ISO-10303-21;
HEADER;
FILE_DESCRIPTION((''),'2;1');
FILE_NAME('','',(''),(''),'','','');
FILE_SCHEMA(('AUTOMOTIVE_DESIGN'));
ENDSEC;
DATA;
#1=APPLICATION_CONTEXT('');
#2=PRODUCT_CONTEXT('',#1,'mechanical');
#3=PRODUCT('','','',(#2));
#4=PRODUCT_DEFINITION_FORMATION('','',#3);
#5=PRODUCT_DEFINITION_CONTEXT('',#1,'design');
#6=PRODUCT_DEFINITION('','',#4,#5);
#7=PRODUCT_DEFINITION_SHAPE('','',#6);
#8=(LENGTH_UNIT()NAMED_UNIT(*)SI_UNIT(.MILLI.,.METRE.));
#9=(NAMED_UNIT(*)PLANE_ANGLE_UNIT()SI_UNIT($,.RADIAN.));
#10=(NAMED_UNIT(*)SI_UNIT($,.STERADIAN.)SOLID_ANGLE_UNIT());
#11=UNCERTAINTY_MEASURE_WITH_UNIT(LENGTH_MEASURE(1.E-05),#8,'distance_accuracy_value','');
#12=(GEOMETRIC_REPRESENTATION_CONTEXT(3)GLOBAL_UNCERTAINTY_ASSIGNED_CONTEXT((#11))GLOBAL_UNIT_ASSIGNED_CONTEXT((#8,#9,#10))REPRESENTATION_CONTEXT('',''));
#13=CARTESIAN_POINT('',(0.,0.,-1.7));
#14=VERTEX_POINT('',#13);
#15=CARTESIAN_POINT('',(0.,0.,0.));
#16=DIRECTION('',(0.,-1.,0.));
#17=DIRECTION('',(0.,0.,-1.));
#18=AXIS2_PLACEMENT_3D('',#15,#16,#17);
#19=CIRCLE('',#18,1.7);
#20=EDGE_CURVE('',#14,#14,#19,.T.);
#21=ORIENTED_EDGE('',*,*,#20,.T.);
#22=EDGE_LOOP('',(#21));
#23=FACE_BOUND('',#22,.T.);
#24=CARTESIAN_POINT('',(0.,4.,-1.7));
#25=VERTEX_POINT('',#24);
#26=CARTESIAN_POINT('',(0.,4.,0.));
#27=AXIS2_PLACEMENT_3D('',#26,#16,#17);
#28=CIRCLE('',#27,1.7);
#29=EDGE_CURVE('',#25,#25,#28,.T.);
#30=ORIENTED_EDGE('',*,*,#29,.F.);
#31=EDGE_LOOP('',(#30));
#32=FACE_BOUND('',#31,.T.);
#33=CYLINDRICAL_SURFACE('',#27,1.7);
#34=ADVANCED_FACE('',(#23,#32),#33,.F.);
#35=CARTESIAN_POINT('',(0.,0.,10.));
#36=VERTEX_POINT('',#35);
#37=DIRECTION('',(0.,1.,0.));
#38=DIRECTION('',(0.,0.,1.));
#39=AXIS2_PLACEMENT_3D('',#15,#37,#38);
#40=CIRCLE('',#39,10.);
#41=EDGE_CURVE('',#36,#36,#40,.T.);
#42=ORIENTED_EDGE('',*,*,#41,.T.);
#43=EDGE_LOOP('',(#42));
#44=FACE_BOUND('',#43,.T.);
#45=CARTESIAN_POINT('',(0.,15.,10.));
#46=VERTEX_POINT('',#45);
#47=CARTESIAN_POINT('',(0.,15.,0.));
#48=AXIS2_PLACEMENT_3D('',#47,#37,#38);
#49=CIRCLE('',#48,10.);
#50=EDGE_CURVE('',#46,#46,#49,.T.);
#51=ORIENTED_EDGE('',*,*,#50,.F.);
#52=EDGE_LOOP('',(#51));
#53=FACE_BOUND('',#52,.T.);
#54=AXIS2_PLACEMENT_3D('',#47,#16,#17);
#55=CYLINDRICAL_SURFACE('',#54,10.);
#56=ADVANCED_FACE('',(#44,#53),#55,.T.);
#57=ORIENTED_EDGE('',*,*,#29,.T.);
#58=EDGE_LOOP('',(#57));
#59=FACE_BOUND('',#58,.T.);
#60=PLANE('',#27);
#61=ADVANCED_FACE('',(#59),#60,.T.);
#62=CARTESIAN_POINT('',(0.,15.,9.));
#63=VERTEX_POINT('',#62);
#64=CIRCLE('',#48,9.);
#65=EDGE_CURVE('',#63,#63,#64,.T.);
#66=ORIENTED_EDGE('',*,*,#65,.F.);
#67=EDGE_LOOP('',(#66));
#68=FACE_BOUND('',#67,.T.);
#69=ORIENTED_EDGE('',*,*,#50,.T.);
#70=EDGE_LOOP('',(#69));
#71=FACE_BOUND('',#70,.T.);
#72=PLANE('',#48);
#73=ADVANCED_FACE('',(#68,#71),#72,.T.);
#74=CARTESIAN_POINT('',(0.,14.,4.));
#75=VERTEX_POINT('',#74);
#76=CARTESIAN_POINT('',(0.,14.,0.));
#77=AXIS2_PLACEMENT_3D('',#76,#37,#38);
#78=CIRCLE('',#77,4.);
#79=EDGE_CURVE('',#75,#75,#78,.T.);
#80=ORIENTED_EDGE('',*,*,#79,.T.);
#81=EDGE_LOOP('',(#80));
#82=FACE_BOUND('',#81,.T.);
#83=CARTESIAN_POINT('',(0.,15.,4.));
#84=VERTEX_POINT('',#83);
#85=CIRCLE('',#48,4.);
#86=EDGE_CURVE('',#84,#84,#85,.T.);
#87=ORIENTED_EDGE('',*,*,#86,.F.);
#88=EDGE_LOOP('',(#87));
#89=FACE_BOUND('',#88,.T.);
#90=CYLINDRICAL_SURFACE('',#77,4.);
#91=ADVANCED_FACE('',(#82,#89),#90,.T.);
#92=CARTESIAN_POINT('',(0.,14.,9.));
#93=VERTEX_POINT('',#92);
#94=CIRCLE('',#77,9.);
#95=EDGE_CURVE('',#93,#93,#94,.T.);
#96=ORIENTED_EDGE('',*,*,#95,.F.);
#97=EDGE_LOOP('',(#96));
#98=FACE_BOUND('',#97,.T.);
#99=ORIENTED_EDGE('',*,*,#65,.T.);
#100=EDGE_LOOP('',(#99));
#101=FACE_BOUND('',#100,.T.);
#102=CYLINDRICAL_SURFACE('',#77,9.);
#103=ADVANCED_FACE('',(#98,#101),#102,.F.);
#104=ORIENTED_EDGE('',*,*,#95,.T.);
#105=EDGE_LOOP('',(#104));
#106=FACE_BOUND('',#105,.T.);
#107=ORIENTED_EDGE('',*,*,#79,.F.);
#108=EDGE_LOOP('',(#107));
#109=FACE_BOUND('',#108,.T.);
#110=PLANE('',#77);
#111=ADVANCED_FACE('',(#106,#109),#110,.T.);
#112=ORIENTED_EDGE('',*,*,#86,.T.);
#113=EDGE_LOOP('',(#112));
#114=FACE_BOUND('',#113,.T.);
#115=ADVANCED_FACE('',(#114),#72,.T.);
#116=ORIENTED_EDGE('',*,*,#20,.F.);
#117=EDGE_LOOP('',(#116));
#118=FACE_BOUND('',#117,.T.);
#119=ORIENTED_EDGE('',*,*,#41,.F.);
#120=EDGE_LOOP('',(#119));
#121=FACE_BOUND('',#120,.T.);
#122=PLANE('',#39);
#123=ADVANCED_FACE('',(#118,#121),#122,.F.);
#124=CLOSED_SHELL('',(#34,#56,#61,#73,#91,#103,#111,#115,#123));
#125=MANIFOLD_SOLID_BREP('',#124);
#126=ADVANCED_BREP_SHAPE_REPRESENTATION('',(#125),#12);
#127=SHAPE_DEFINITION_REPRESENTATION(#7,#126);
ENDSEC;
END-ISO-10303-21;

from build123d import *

# Parameters (mm, degrees)
SKETCH1_R           = 10
BOSS_EXTRUDE1_DEPTH = 15
SKETCH2_R           = 9
SKETCH2_R_2         = 4
CUT_EXTRUDE1_DEPTH  = 1
SKETCH3_R           = 1.7
CUT_EXTRUDE2_DEPTH  = 4


with BuildPart() as part:
    # Sketch1 → Boss-Extrude1 (new body)
    with BuildSketch(Plane(origin=(0, 0, 0), x_dir=(1, 0, 0), z_dir=(0, 1, 0))):
        with Locations(Location((0, 0, 0), (0, 0, 270))):
            Circle(SKETCH1_R)
    extrude(amount=BOSS_EXTRUDE1_DEPTH)

    # Sketch2 → Cut-Extrude1 (cut)
    with BuildSketch(Plane(origin=(0, 15, 0), x_dir=(1, 0, 0), z_dir=(0, 1, 0))):
        with Locations(Location((0, 0, 0), (0, 0, 270))):
            Circle(SKETCH2_R)
        with Locations(Location((0, 0, 0), (0, 0, 270))):
            Circle(SKETCH2_R_2, mode=Mode.SUBTRACT)
    extrude(amount=-CUT_EXTRUDE1_DEPTH, mode=Mode.SUBTRACT)

    # Sketch3 → Cut-Extrude2 (cut)
    with BuildSketch(Plane.XZ):
        with Locations(Location((0, 0, 0), (0, 0, 270))):
            Circle(SKETCH3_R)
    extrude(amount=-CUT_EXTRUDE2_DEPTH, mode=Mode.SUBTRACT)


solid = part.part
